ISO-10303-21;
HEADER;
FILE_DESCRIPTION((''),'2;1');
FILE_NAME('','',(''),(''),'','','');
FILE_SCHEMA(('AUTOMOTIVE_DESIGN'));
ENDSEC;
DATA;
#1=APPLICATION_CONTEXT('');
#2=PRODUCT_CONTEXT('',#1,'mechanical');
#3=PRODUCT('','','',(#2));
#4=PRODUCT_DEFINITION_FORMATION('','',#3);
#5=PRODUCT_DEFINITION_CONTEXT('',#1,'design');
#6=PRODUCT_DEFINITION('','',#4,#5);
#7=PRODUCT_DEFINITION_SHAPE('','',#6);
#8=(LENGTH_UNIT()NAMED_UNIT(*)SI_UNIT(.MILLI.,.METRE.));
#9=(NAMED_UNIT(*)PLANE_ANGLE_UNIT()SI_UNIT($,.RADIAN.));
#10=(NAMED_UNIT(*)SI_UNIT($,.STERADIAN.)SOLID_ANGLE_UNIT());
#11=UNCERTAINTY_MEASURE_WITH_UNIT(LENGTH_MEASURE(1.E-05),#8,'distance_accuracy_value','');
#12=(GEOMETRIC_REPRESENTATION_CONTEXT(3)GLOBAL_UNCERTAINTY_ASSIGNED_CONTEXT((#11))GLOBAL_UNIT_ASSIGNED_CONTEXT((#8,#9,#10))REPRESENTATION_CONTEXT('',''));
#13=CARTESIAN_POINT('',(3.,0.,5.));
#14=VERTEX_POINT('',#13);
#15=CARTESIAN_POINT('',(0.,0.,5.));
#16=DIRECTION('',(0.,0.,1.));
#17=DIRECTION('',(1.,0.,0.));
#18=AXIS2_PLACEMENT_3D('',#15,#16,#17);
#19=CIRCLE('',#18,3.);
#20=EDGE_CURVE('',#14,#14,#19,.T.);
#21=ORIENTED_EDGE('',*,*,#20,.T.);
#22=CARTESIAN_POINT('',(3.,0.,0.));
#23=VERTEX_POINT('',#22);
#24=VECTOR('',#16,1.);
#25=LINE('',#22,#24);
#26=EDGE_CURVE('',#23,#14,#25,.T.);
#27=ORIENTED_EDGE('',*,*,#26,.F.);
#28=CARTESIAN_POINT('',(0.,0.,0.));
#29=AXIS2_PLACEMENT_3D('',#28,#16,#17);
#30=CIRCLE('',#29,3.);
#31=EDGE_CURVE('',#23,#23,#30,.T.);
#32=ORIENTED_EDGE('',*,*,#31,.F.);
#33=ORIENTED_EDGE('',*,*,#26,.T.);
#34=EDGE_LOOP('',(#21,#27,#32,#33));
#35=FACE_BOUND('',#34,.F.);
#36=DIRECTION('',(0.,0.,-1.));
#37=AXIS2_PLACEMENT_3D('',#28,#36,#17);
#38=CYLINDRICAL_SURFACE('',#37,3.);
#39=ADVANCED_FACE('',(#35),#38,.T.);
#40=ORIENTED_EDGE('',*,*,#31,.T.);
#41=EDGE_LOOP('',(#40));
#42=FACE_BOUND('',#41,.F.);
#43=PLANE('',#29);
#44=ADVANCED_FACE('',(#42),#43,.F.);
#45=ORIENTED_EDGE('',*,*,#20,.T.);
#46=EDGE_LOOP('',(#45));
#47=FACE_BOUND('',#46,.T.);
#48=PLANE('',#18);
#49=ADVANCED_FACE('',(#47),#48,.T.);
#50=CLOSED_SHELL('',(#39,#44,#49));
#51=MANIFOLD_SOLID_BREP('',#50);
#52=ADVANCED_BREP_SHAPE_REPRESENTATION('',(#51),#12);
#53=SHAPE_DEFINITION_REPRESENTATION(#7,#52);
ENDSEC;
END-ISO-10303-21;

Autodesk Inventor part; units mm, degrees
ref_plane "YZ Plane" through (0, 0, 0) normal (1, 0, 0) x (0, 1, 0)
ref_plane "XZ Plane" through (0, 0, 0) normal (0, 1, 0) x (-1, 0, 0)
ref_plane "XY Plane" through (0, 0, 0) normal (0, 0, 1) x (1, 0, 0)
sketch "スケッチ1" plane through (0, 0, 0) normal (0, 0, 1) x (1, 0, 0)
  circle A0 centre (0, 0) radius 3
  dimension "d0" = 6
extrude "押し出し1" add sketch "スケッチ1" along normal blind 5
properties part number "φ6L5ジュラコン"
